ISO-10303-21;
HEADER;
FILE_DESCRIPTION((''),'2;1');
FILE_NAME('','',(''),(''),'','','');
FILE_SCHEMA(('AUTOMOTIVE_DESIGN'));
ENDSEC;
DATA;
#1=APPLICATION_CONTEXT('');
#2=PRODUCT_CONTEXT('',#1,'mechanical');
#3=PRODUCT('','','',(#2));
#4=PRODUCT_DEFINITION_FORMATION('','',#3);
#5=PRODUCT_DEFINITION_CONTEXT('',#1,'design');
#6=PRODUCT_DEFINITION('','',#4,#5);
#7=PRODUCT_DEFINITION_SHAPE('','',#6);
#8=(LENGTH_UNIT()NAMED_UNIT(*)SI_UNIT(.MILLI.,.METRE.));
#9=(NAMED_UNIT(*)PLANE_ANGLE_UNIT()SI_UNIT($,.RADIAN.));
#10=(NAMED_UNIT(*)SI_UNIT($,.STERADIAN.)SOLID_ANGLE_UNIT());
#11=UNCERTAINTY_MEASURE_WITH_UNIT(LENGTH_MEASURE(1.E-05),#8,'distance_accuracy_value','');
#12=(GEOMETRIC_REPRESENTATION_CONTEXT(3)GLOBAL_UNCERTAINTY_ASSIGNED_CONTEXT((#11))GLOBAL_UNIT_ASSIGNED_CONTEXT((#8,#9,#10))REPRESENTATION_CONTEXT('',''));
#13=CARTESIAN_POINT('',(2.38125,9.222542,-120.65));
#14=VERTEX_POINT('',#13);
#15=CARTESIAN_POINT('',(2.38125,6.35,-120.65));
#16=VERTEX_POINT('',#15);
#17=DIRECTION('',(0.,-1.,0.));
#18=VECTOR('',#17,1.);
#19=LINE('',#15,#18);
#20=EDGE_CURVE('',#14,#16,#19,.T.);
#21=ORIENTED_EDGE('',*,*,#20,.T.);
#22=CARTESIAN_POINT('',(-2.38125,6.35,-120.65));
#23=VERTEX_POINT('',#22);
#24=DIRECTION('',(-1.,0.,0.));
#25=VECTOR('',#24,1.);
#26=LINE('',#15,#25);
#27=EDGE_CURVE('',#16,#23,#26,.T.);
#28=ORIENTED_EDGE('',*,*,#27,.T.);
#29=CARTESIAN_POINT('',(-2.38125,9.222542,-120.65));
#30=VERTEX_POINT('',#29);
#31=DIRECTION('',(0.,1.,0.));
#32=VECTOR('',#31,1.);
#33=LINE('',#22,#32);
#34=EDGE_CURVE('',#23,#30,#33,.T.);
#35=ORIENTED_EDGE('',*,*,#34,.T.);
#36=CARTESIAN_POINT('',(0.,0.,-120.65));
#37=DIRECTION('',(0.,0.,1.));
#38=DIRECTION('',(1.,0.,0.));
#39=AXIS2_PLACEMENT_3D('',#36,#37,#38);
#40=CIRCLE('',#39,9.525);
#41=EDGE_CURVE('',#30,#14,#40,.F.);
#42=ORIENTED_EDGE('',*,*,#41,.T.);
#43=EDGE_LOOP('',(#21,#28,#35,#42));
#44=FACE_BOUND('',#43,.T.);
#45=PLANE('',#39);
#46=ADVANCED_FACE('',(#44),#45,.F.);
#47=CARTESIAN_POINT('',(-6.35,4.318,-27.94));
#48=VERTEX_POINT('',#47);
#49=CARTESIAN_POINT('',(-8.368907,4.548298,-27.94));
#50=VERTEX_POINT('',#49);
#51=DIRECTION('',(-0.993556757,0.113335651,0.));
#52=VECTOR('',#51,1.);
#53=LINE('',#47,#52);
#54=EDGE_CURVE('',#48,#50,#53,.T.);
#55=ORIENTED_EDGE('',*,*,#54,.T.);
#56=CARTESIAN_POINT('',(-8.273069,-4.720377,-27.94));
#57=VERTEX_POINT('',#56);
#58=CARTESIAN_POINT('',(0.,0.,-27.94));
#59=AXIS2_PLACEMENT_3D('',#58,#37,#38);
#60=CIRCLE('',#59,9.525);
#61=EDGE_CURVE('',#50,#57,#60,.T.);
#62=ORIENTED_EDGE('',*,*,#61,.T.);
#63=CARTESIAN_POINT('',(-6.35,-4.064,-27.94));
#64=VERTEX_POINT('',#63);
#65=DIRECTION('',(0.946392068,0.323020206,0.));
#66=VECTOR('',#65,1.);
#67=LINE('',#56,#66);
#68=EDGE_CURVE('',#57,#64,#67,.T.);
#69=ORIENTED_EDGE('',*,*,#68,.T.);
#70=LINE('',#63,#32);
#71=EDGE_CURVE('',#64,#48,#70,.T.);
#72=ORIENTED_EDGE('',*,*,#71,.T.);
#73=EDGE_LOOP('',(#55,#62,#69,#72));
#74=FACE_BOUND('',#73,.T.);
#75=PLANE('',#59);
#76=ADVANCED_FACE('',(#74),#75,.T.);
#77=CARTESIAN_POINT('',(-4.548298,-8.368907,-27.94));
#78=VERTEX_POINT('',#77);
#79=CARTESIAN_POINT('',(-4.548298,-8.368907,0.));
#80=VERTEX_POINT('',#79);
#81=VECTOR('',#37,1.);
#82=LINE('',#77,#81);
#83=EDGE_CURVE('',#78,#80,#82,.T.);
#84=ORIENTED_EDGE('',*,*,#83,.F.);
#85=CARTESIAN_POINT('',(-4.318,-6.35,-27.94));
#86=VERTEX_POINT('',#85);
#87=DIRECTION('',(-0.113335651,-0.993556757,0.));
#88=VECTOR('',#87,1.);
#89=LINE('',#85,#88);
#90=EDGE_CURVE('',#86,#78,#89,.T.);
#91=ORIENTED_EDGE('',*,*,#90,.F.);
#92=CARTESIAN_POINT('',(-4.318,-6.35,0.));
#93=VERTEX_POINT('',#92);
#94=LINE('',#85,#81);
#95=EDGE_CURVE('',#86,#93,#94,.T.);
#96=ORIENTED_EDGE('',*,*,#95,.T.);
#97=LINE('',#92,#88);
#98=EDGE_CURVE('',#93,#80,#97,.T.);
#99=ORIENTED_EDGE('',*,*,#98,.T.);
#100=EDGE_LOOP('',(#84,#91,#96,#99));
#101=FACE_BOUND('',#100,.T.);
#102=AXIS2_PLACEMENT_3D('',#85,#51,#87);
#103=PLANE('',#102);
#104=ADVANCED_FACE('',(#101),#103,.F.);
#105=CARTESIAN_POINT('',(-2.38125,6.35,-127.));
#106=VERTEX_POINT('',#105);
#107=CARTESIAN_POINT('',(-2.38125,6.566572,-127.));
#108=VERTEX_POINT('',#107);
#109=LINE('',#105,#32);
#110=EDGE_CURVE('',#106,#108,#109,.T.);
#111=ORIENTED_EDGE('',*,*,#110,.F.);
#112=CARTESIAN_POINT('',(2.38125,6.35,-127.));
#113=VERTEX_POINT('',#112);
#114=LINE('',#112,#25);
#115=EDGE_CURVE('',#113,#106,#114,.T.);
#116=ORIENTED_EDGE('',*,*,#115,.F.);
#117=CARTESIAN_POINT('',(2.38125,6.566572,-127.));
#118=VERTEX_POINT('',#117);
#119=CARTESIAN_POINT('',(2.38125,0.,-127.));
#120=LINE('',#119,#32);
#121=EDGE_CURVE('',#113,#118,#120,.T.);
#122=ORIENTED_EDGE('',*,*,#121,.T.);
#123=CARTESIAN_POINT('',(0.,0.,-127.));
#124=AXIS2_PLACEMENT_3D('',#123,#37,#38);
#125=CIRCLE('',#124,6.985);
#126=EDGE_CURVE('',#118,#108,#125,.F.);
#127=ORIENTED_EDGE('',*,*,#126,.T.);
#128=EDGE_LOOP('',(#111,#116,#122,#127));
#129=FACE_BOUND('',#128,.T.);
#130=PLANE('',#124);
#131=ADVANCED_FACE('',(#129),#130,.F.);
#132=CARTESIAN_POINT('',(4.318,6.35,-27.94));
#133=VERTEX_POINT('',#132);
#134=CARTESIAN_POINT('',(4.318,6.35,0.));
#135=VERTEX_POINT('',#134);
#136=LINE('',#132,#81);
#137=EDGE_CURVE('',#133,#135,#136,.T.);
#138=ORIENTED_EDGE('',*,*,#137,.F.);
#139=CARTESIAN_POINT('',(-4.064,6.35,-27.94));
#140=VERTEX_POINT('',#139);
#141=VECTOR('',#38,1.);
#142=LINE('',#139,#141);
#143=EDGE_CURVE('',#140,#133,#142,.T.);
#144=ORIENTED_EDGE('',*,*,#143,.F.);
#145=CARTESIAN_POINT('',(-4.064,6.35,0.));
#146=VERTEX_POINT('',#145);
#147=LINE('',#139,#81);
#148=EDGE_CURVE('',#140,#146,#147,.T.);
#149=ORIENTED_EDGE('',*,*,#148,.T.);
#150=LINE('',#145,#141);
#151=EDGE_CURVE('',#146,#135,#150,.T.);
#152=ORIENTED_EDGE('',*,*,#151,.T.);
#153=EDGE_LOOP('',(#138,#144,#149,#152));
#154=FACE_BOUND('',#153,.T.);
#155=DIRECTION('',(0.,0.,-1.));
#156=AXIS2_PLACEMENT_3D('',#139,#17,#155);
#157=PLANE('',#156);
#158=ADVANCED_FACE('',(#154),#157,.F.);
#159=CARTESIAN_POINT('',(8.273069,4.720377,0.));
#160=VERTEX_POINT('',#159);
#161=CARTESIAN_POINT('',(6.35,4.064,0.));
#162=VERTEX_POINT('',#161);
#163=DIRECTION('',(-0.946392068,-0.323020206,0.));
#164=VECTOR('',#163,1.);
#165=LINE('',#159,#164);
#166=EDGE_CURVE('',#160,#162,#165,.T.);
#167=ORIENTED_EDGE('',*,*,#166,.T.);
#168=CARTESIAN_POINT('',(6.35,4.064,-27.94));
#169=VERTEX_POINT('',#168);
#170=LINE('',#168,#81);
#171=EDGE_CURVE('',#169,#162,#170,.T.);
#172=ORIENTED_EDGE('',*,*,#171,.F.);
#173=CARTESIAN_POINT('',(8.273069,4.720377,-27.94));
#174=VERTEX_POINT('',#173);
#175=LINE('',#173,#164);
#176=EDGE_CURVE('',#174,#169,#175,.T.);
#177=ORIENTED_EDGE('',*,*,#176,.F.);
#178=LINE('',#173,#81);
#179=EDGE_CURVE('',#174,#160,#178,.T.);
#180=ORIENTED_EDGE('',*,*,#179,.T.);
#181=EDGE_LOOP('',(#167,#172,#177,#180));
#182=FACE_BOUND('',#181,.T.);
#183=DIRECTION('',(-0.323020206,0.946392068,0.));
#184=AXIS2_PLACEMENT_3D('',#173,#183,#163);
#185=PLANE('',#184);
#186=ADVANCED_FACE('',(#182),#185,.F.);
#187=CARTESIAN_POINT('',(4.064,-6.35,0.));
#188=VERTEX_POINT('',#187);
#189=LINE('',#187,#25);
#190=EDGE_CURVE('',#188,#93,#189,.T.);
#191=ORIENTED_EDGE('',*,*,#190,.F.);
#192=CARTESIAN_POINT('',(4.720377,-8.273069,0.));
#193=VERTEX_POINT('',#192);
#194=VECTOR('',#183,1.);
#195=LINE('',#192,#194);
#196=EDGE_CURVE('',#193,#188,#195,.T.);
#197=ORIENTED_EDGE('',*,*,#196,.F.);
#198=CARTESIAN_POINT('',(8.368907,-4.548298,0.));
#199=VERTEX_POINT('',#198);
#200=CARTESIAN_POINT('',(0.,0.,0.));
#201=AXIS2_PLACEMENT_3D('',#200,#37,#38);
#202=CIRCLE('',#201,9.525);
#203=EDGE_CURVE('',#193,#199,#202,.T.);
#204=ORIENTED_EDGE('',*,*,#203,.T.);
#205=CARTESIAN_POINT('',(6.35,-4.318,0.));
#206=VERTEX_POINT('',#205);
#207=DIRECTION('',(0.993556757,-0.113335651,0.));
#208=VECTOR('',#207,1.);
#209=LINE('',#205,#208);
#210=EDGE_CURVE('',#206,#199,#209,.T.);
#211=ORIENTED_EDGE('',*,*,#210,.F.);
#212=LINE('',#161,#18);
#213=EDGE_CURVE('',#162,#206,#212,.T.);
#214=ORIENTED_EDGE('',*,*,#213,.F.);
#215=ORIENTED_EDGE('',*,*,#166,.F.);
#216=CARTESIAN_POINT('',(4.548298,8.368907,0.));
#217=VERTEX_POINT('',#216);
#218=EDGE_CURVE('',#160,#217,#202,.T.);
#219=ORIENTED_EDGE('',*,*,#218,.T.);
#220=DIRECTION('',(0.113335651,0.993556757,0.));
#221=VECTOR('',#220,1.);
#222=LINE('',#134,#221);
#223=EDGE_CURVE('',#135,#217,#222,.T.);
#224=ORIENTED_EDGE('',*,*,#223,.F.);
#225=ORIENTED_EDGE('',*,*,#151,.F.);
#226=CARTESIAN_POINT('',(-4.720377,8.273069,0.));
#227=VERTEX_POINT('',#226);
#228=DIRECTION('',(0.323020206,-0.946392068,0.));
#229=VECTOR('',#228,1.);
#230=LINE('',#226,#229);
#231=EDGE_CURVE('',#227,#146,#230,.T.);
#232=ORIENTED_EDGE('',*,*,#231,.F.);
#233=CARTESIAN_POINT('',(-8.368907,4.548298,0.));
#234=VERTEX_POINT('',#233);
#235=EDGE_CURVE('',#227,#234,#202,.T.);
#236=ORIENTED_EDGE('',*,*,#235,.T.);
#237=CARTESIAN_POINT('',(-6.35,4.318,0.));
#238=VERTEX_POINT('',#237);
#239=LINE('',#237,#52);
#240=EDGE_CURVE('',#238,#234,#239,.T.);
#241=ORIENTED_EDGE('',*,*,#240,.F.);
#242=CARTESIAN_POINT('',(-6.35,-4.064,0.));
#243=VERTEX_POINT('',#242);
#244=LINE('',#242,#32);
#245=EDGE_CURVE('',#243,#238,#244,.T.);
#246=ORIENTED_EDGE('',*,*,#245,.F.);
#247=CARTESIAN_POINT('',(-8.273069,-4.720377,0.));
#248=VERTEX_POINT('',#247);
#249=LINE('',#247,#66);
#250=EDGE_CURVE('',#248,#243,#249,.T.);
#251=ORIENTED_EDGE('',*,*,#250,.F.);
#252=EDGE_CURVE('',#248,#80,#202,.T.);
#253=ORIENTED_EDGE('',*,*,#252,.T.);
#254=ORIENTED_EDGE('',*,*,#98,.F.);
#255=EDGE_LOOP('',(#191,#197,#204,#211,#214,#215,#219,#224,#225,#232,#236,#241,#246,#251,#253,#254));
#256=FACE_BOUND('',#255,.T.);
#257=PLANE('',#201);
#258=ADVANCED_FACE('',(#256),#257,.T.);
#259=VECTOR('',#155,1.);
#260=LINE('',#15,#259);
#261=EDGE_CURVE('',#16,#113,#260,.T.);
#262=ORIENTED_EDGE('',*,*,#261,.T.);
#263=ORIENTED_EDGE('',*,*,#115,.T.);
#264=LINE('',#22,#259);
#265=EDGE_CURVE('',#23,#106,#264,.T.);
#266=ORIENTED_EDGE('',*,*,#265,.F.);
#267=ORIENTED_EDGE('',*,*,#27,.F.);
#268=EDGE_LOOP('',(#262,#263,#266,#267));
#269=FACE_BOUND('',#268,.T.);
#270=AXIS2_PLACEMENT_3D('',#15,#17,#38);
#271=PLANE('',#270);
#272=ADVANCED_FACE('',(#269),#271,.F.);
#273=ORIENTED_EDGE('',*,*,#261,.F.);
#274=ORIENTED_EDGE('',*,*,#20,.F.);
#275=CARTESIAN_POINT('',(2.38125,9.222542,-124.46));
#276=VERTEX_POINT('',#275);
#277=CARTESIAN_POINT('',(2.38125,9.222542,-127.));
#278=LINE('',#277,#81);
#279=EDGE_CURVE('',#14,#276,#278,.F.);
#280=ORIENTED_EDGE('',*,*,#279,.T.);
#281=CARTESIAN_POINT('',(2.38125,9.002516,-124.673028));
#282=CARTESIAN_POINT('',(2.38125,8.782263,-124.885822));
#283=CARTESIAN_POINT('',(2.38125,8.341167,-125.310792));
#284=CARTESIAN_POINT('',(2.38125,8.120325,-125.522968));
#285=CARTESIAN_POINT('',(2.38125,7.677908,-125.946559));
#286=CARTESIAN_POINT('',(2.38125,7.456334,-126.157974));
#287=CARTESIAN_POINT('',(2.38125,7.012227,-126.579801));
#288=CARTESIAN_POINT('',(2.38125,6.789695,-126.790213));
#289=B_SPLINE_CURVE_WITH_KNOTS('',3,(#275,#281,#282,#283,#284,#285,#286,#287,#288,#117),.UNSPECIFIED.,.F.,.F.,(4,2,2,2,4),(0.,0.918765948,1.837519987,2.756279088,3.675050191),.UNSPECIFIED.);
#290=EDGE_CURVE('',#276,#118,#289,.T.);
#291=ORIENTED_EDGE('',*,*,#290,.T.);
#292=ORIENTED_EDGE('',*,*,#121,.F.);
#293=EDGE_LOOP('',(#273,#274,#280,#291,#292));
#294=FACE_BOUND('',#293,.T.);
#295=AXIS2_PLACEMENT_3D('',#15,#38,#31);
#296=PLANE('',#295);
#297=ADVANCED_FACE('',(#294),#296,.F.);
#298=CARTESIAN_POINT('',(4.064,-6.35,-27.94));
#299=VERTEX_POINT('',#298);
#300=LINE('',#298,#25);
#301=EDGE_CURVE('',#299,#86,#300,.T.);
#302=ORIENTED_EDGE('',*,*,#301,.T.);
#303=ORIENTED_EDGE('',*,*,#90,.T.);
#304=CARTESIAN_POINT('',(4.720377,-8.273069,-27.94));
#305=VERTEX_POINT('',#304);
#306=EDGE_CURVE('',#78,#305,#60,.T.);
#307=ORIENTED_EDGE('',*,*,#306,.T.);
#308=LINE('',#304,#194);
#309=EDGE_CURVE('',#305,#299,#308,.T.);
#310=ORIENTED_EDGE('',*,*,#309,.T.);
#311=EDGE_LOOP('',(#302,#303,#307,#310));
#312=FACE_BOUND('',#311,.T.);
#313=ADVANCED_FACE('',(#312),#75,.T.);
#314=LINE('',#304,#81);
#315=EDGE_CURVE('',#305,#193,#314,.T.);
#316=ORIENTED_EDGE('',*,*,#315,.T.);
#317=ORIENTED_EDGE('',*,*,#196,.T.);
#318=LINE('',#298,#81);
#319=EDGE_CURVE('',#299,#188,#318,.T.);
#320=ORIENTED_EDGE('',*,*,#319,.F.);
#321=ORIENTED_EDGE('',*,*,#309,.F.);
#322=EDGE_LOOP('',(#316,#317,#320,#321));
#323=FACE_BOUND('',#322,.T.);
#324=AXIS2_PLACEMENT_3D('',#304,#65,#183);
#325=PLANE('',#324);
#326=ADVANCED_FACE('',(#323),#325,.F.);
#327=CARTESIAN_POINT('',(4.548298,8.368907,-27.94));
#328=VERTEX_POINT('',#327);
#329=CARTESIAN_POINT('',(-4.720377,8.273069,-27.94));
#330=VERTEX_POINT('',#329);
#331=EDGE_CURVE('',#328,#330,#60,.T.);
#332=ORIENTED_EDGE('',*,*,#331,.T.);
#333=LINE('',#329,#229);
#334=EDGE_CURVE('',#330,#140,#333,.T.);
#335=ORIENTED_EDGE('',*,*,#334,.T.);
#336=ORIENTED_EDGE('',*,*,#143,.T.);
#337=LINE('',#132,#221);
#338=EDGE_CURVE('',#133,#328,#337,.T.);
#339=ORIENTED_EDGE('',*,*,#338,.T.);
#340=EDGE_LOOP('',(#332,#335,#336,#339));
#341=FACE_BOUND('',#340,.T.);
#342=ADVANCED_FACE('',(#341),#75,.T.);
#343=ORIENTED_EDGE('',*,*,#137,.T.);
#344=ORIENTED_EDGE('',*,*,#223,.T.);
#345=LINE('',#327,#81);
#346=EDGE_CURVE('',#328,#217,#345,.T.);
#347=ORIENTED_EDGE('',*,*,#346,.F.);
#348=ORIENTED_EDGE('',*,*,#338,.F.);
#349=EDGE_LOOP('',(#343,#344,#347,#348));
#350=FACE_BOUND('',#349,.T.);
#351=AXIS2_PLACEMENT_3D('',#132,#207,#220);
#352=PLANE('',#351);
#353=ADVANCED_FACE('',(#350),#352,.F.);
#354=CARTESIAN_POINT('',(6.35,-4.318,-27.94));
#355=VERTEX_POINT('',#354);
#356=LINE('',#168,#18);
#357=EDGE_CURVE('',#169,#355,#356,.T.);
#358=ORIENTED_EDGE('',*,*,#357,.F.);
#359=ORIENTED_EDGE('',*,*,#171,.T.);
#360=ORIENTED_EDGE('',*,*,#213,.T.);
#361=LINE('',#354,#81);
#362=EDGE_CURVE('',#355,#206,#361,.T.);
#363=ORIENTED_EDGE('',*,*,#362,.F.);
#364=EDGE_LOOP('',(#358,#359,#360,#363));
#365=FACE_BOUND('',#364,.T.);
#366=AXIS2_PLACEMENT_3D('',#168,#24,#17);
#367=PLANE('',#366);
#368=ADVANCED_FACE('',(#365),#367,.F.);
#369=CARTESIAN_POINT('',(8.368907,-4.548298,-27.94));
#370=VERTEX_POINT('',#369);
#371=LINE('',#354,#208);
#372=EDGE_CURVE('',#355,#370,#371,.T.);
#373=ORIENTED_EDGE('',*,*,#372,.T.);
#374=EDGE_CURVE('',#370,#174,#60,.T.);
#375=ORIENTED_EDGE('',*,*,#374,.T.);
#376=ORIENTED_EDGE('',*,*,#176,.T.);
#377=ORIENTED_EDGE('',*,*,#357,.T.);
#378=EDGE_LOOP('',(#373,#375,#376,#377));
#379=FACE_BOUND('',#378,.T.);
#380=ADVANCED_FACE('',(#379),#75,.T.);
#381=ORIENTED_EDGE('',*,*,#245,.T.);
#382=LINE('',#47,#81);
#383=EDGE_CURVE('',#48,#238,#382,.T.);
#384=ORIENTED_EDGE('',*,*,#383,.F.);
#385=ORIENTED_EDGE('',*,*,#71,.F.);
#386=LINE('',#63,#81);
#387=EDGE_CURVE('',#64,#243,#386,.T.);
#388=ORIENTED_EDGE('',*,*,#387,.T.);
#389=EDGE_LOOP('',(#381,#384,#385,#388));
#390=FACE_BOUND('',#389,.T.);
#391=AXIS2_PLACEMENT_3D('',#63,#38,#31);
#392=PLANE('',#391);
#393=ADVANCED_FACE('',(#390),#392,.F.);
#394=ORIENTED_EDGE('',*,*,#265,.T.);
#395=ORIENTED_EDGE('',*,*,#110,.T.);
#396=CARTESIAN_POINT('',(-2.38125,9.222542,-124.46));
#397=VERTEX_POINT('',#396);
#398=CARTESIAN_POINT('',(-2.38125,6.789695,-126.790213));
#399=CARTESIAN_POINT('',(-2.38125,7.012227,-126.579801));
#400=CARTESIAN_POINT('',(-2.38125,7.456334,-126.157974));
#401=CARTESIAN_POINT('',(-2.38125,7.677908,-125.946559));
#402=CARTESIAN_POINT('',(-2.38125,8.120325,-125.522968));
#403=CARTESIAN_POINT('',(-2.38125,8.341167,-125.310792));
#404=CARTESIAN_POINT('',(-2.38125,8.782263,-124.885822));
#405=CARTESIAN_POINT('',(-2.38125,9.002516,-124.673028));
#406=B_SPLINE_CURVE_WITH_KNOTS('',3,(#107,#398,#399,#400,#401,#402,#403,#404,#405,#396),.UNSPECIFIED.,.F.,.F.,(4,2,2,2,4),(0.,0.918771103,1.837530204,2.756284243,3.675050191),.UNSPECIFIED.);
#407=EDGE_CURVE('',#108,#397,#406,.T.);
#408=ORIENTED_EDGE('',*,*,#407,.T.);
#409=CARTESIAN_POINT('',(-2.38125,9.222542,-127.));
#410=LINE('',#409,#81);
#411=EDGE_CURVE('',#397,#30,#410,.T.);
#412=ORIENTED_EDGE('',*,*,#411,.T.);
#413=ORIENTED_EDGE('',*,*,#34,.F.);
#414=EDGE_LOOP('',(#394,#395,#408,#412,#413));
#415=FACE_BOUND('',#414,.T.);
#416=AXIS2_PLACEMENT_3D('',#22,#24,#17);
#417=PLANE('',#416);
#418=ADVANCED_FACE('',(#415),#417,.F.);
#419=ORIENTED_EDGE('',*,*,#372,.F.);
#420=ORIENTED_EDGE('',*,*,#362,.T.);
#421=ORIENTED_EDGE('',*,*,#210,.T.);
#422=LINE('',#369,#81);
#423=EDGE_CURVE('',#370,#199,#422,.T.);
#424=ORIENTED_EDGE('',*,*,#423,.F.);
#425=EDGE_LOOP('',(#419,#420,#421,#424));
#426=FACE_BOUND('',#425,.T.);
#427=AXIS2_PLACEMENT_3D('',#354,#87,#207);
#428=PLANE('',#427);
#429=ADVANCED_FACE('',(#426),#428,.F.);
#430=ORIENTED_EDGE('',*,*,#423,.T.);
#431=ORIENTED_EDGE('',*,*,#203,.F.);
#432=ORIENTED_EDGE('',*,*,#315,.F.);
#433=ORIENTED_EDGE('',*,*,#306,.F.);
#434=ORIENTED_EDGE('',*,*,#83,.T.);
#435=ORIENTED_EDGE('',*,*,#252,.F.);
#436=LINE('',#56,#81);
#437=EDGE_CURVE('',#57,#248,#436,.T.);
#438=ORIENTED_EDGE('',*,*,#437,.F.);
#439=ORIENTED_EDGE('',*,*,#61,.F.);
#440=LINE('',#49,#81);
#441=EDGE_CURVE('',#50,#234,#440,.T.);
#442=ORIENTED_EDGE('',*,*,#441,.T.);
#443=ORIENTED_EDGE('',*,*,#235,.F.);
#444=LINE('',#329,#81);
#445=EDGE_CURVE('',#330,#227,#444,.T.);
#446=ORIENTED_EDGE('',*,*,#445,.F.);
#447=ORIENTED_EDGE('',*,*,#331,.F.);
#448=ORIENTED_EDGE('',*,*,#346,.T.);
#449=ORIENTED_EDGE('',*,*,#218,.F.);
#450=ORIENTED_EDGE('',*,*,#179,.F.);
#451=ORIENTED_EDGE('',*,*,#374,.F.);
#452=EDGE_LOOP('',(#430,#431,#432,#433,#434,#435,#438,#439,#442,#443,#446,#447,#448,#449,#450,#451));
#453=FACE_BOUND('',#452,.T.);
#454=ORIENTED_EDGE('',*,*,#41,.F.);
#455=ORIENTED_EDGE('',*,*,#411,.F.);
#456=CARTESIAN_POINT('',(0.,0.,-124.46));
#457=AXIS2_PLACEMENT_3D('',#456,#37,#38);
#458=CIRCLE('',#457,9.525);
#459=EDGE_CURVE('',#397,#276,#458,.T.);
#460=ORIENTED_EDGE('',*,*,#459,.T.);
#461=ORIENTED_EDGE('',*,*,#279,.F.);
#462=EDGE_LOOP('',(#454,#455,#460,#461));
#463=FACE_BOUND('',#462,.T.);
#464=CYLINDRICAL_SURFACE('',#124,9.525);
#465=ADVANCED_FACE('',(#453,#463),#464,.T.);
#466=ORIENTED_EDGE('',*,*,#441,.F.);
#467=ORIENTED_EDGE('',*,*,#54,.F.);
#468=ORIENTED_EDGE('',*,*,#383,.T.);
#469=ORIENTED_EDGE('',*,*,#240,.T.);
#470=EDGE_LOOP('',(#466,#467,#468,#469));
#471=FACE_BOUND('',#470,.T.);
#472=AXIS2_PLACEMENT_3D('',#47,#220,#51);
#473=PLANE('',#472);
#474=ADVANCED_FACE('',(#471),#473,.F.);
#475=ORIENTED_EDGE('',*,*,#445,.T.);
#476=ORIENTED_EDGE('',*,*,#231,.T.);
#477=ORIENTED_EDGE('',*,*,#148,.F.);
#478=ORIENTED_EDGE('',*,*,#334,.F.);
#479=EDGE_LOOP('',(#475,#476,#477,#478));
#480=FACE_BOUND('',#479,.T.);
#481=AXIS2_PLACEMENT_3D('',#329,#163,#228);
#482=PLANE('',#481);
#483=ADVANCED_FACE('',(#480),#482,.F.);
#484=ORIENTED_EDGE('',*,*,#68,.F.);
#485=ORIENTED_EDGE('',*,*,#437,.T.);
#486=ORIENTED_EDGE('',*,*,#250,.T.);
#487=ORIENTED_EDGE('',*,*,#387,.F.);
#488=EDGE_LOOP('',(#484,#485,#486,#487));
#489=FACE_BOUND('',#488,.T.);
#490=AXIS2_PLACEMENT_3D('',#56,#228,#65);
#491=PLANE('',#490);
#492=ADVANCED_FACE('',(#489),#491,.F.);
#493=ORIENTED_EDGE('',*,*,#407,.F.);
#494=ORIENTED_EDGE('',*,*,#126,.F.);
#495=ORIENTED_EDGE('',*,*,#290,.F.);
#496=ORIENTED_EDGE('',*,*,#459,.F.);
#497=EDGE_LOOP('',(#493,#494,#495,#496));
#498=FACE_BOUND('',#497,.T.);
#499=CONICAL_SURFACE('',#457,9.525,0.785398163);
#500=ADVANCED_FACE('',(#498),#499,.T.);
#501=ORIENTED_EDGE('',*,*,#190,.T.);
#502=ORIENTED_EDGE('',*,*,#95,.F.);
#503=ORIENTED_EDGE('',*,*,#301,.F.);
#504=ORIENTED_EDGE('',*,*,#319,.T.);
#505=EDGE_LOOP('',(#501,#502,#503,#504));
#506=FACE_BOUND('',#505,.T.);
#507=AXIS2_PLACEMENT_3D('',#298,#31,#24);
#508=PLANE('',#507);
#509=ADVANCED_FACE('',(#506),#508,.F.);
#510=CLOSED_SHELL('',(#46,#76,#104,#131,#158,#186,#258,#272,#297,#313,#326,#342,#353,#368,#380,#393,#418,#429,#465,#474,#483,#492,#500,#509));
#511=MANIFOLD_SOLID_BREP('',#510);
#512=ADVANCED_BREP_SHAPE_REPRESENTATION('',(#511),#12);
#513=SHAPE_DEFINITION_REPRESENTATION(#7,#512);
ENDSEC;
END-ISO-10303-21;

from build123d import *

# Parameters (mm, degrees)
SKETCH1_R           = 9.525
BOSS_EXTRUDE1_DEPTH = 127
SKETCH2_W           = 4.7625
SKETCH2_H           = 3.175
CUT_EXTRUDE1_DEPTH  = 6.35
CHAMFER1_SIZE       = 2.54
CUT_EXTRUDE2_DEPTH  = 27.94


with BuildPart() as part:
    # Sketch1 → Boss-Extrude1 (new body)
    with BuildSketch(Plane.XY):
        Circle(SKETCH1_R)
    extrude(amount=-BOSS_EXTRUDE1_DEPTH)

    # Sketch2 → Cut-Extrude1 (cut)
    with BuildSketch(Plane(origin=(0, 0, -127), x_dir=(-1, 0, 0), z_dir=(0, 0, -1))):
        with Locations((0, 7.9375)):
            Rectangle(SKETCH2_W, SKETCH2_H)
    extrude(amount=-CUT_EXTRUDE1_DEPTH, mode=Mode.SUBTRACT)

    # Chamfer1
    chamfer1_edges = [part.edges().sort_by_distance(p)[0] for p in [
        (-5.83284745, -7.530173678, -127),
    ]]
    chamfer(chamfer1_edges, length=CHAMFER1_SIZE)

    # Sketch3 → Cut-Extrude2 (cut)
    with BuildSketch(Plane.XY):
        with BuildLine():
            Line((-4.720377059, 8.273068682), (-4.064, 6.35))
            Line((-4.064, 6.35), (4.318, 6.35))
            Line((4.318, 6.35), (4.548298042, 8.368907331))
            ThreePointArc((4.548298042, 8.368907331), (-0.098483799, 9.524490849), (-4.720377059, 8.273068682))
        make_face()
        with BuildLine():
            Line((8.273068682, 4.720377059), (6.35, 4.064))
            Line((6.35, 4.064), (6.35, -4.318))
            Line((6.35, -4.318), (8.368907331, -4.548298042))
            ThreePointArc((8.368907331, -4.548298042), (9.524490849, 0.098483799), (8.273068682, 4.720377059))
        make_face()
        with BuildLine():
            Line((4.720377059, -8.273068682), (4.064, -6.35))
            Line((4.064, -6.35), (-4.318, -6.35))
            Line((-4.318, -6.35), (-4.548298042, -8.368907331))
            ThreePointArc((-4.548298042, -8.368907331), (0.098483799, -9.524490849), (4.720377059, -8.273068682))
        make_face()
        with BuildLine():
            Line((-8.273068682, -4.720377059), (-6.35, -4.064))
            Line((-6.35, -4.064), (-6.35, 4.318))
            Line((-6.35, 4.318), (-8.368907331, 4.548298042))
            ThreePointArc((-8.368907331, 4.548298042), (-9.524490849, -0.098483799), (-8.273068682, -4.720377059))
        make_face()
    extrude(amount=-CUT_EXTRUDE2_DEPTH, mode=Mode.SUBTRACT)


solid = part.part
